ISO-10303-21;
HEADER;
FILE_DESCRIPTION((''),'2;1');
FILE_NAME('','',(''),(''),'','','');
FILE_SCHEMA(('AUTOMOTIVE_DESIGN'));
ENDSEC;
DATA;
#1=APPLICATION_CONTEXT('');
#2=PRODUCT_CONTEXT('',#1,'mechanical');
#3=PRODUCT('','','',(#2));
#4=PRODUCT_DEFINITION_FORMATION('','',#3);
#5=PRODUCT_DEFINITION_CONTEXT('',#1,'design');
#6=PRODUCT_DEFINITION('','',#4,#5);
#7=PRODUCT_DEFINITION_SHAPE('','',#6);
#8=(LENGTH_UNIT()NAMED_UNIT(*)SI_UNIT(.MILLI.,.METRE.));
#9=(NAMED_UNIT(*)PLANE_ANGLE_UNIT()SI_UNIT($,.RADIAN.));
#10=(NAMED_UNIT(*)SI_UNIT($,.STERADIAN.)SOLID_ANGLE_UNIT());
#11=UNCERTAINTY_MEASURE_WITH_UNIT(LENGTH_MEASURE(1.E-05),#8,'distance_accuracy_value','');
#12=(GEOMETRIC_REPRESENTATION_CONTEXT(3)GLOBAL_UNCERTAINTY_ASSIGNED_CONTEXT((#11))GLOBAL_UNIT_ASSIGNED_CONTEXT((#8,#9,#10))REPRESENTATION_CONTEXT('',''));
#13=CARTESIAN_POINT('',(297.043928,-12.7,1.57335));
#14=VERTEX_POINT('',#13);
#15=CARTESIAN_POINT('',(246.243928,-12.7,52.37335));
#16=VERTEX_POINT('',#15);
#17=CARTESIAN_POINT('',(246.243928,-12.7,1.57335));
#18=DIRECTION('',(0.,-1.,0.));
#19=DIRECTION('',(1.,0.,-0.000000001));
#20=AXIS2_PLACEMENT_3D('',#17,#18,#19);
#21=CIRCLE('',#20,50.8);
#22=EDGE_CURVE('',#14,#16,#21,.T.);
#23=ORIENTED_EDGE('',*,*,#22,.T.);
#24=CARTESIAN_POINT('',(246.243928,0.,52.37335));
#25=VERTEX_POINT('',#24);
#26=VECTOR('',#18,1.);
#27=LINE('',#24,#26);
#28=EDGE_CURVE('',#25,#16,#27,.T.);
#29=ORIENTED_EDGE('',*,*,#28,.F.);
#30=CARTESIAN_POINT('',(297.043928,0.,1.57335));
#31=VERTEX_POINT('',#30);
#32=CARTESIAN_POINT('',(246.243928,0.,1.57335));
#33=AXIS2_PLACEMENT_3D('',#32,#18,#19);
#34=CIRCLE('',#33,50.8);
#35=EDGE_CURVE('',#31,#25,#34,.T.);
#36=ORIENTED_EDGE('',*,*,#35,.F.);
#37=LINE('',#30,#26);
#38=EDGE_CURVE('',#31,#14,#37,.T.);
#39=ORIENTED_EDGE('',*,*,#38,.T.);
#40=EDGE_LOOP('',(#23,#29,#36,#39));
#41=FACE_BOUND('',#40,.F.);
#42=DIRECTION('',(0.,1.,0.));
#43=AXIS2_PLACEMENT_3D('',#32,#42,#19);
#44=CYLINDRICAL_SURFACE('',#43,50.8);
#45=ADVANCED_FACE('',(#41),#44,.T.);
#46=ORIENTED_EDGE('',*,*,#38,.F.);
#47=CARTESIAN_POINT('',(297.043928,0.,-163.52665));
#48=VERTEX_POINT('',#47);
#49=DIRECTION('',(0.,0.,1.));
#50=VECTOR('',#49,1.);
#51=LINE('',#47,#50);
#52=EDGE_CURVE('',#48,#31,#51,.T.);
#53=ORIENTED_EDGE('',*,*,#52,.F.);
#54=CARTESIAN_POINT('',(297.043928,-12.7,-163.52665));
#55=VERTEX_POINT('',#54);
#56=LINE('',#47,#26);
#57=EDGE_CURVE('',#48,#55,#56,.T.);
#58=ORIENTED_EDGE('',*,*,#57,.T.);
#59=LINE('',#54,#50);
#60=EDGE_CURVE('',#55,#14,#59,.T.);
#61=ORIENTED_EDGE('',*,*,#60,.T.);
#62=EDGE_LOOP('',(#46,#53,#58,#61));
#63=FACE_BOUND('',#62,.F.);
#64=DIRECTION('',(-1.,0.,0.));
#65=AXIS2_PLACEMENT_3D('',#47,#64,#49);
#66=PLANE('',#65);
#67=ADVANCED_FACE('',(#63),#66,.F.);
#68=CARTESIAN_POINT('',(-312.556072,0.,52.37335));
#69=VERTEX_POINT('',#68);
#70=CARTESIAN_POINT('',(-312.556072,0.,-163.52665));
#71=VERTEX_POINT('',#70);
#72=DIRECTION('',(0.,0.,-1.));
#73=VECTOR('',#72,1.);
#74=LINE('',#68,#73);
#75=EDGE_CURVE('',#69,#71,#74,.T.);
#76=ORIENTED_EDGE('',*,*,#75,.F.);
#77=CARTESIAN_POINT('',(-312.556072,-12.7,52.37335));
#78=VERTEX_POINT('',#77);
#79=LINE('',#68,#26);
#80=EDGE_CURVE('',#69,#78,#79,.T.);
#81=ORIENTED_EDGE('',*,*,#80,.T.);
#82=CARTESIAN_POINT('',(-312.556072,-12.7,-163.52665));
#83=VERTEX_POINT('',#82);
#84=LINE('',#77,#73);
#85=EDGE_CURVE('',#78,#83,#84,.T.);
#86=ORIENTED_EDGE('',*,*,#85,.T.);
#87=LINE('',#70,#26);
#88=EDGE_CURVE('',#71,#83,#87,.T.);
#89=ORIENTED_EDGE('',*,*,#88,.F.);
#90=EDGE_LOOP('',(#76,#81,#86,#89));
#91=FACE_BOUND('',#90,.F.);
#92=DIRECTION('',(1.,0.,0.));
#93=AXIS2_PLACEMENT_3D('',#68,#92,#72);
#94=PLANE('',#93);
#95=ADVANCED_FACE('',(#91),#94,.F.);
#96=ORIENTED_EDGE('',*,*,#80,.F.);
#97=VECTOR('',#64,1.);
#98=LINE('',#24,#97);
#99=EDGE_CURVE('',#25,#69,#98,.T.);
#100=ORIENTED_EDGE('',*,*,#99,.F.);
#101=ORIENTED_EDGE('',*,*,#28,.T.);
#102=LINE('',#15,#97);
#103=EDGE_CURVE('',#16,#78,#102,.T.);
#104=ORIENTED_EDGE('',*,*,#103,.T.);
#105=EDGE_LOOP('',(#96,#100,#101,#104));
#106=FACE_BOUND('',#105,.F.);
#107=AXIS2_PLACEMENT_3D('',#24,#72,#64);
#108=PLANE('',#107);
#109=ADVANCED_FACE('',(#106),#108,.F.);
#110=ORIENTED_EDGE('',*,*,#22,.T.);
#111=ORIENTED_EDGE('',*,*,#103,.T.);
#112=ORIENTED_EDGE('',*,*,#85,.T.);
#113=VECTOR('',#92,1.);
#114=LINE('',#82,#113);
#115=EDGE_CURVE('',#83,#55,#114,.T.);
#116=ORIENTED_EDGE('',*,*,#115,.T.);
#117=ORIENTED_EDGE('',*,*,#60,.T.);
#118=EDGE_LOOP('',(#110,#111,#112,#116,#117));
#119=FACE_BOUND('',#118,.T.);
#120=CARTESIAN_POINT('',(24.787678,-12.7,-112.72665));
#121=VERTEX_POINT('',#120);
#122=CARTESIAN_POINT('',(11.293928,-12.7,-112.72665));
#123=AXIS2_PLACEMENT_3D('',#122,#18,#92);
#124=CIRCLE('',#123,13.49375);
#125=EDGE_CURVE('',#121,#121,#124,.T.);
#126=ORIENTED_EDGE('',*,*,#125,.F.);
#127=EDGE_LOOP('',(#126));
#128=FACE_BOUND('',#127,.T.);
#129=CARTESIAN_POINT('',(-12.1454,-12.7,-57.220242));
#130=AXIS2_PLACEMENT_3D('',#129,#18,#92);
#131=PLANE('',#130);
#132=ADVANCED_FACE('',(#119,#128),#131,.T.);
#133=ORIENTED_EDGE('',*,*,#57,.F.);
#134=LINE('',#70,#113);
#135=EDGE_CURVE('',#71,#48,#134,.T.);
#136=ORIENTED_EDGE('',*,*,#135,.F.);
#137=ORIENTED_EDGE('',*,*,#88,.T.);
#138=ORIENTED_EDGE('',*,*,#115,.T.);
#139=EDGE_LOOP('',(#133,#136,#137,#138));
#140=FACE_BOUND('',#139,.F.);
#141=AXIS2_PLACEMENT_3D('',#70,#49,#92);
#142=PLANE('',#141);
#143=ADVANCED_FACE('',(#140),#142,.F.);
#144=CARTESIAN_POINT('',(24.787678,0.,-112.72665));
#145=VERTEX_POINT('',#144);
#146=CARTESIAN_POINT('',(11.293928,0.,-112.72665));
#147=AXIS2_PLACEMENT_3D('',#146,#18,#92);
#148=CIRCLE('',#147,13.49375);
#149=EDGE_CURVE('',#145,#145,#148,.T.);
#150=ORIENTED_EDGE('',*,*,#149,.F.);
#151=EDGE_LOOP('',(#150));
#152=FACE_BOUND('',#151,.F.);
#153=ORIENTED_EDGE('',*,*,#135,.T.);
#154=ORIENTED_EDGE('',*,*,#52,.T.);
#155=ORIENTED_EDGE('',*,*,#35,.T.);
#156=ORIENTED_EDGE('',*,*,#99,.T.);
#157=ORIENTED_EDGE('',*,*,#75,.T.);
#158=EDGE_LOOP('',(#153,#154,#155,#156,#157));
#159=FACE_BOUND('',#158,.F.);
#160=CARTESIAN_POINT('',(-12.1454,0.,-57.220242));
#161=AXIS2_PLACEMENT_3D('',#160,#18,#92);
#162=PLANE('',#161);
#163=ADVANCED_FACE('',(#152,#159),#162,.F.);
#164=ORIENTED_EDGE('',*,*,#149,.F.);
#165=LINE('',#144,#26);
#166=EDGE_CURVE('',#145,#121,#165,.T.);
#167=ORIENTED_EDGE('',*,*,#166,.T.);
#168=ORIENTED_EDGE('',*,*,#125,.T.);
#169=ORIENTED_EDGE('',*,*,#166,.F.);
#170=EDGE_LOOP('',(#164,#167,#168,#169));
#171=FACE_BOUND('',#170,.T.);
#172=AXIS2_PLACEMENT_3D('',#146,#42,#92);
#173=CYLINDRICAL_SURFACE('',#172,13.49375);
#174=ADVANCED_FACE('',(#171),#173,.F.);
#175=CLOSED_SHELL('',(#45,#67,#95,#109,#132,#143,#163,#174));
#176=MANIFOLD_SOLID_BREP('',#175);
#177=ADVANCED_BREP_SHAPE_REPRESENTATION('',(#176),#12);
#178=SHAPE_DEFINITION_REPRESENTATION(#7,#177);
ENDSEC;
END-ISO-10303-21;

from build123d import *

# Parameters (mm, degrees)
F0_R     = 13.49375
F1_DEPTH = 12.7


with BuildPart() as f1:
    # F0 (on Front) → F1 (new body)
    with BuildSketch(Plane.XZ):
        with BuildLine():
            Line((246.243928, 52.37335), (-312.556072, 52.37335))
            Line((-312.556072, 52.37335), (-312.556072, -163.52665))
            Line((-312.556072, -163.52665), (297.043928, -163.52665))
            Line((297.043928, -163.52665), (297.043928, 1.57335))
            ThreePointArc((297.043928, 1.57335), (282.164953, 37.494374), (246.243928, 52.37335))
        make_face()
        with Locations((11.293928, -112.72665)):
            Circle(F0_R, mode=Mode.SUBTRACT)
    extrude(amount=F1_DEPTH)


solid = f1.part
